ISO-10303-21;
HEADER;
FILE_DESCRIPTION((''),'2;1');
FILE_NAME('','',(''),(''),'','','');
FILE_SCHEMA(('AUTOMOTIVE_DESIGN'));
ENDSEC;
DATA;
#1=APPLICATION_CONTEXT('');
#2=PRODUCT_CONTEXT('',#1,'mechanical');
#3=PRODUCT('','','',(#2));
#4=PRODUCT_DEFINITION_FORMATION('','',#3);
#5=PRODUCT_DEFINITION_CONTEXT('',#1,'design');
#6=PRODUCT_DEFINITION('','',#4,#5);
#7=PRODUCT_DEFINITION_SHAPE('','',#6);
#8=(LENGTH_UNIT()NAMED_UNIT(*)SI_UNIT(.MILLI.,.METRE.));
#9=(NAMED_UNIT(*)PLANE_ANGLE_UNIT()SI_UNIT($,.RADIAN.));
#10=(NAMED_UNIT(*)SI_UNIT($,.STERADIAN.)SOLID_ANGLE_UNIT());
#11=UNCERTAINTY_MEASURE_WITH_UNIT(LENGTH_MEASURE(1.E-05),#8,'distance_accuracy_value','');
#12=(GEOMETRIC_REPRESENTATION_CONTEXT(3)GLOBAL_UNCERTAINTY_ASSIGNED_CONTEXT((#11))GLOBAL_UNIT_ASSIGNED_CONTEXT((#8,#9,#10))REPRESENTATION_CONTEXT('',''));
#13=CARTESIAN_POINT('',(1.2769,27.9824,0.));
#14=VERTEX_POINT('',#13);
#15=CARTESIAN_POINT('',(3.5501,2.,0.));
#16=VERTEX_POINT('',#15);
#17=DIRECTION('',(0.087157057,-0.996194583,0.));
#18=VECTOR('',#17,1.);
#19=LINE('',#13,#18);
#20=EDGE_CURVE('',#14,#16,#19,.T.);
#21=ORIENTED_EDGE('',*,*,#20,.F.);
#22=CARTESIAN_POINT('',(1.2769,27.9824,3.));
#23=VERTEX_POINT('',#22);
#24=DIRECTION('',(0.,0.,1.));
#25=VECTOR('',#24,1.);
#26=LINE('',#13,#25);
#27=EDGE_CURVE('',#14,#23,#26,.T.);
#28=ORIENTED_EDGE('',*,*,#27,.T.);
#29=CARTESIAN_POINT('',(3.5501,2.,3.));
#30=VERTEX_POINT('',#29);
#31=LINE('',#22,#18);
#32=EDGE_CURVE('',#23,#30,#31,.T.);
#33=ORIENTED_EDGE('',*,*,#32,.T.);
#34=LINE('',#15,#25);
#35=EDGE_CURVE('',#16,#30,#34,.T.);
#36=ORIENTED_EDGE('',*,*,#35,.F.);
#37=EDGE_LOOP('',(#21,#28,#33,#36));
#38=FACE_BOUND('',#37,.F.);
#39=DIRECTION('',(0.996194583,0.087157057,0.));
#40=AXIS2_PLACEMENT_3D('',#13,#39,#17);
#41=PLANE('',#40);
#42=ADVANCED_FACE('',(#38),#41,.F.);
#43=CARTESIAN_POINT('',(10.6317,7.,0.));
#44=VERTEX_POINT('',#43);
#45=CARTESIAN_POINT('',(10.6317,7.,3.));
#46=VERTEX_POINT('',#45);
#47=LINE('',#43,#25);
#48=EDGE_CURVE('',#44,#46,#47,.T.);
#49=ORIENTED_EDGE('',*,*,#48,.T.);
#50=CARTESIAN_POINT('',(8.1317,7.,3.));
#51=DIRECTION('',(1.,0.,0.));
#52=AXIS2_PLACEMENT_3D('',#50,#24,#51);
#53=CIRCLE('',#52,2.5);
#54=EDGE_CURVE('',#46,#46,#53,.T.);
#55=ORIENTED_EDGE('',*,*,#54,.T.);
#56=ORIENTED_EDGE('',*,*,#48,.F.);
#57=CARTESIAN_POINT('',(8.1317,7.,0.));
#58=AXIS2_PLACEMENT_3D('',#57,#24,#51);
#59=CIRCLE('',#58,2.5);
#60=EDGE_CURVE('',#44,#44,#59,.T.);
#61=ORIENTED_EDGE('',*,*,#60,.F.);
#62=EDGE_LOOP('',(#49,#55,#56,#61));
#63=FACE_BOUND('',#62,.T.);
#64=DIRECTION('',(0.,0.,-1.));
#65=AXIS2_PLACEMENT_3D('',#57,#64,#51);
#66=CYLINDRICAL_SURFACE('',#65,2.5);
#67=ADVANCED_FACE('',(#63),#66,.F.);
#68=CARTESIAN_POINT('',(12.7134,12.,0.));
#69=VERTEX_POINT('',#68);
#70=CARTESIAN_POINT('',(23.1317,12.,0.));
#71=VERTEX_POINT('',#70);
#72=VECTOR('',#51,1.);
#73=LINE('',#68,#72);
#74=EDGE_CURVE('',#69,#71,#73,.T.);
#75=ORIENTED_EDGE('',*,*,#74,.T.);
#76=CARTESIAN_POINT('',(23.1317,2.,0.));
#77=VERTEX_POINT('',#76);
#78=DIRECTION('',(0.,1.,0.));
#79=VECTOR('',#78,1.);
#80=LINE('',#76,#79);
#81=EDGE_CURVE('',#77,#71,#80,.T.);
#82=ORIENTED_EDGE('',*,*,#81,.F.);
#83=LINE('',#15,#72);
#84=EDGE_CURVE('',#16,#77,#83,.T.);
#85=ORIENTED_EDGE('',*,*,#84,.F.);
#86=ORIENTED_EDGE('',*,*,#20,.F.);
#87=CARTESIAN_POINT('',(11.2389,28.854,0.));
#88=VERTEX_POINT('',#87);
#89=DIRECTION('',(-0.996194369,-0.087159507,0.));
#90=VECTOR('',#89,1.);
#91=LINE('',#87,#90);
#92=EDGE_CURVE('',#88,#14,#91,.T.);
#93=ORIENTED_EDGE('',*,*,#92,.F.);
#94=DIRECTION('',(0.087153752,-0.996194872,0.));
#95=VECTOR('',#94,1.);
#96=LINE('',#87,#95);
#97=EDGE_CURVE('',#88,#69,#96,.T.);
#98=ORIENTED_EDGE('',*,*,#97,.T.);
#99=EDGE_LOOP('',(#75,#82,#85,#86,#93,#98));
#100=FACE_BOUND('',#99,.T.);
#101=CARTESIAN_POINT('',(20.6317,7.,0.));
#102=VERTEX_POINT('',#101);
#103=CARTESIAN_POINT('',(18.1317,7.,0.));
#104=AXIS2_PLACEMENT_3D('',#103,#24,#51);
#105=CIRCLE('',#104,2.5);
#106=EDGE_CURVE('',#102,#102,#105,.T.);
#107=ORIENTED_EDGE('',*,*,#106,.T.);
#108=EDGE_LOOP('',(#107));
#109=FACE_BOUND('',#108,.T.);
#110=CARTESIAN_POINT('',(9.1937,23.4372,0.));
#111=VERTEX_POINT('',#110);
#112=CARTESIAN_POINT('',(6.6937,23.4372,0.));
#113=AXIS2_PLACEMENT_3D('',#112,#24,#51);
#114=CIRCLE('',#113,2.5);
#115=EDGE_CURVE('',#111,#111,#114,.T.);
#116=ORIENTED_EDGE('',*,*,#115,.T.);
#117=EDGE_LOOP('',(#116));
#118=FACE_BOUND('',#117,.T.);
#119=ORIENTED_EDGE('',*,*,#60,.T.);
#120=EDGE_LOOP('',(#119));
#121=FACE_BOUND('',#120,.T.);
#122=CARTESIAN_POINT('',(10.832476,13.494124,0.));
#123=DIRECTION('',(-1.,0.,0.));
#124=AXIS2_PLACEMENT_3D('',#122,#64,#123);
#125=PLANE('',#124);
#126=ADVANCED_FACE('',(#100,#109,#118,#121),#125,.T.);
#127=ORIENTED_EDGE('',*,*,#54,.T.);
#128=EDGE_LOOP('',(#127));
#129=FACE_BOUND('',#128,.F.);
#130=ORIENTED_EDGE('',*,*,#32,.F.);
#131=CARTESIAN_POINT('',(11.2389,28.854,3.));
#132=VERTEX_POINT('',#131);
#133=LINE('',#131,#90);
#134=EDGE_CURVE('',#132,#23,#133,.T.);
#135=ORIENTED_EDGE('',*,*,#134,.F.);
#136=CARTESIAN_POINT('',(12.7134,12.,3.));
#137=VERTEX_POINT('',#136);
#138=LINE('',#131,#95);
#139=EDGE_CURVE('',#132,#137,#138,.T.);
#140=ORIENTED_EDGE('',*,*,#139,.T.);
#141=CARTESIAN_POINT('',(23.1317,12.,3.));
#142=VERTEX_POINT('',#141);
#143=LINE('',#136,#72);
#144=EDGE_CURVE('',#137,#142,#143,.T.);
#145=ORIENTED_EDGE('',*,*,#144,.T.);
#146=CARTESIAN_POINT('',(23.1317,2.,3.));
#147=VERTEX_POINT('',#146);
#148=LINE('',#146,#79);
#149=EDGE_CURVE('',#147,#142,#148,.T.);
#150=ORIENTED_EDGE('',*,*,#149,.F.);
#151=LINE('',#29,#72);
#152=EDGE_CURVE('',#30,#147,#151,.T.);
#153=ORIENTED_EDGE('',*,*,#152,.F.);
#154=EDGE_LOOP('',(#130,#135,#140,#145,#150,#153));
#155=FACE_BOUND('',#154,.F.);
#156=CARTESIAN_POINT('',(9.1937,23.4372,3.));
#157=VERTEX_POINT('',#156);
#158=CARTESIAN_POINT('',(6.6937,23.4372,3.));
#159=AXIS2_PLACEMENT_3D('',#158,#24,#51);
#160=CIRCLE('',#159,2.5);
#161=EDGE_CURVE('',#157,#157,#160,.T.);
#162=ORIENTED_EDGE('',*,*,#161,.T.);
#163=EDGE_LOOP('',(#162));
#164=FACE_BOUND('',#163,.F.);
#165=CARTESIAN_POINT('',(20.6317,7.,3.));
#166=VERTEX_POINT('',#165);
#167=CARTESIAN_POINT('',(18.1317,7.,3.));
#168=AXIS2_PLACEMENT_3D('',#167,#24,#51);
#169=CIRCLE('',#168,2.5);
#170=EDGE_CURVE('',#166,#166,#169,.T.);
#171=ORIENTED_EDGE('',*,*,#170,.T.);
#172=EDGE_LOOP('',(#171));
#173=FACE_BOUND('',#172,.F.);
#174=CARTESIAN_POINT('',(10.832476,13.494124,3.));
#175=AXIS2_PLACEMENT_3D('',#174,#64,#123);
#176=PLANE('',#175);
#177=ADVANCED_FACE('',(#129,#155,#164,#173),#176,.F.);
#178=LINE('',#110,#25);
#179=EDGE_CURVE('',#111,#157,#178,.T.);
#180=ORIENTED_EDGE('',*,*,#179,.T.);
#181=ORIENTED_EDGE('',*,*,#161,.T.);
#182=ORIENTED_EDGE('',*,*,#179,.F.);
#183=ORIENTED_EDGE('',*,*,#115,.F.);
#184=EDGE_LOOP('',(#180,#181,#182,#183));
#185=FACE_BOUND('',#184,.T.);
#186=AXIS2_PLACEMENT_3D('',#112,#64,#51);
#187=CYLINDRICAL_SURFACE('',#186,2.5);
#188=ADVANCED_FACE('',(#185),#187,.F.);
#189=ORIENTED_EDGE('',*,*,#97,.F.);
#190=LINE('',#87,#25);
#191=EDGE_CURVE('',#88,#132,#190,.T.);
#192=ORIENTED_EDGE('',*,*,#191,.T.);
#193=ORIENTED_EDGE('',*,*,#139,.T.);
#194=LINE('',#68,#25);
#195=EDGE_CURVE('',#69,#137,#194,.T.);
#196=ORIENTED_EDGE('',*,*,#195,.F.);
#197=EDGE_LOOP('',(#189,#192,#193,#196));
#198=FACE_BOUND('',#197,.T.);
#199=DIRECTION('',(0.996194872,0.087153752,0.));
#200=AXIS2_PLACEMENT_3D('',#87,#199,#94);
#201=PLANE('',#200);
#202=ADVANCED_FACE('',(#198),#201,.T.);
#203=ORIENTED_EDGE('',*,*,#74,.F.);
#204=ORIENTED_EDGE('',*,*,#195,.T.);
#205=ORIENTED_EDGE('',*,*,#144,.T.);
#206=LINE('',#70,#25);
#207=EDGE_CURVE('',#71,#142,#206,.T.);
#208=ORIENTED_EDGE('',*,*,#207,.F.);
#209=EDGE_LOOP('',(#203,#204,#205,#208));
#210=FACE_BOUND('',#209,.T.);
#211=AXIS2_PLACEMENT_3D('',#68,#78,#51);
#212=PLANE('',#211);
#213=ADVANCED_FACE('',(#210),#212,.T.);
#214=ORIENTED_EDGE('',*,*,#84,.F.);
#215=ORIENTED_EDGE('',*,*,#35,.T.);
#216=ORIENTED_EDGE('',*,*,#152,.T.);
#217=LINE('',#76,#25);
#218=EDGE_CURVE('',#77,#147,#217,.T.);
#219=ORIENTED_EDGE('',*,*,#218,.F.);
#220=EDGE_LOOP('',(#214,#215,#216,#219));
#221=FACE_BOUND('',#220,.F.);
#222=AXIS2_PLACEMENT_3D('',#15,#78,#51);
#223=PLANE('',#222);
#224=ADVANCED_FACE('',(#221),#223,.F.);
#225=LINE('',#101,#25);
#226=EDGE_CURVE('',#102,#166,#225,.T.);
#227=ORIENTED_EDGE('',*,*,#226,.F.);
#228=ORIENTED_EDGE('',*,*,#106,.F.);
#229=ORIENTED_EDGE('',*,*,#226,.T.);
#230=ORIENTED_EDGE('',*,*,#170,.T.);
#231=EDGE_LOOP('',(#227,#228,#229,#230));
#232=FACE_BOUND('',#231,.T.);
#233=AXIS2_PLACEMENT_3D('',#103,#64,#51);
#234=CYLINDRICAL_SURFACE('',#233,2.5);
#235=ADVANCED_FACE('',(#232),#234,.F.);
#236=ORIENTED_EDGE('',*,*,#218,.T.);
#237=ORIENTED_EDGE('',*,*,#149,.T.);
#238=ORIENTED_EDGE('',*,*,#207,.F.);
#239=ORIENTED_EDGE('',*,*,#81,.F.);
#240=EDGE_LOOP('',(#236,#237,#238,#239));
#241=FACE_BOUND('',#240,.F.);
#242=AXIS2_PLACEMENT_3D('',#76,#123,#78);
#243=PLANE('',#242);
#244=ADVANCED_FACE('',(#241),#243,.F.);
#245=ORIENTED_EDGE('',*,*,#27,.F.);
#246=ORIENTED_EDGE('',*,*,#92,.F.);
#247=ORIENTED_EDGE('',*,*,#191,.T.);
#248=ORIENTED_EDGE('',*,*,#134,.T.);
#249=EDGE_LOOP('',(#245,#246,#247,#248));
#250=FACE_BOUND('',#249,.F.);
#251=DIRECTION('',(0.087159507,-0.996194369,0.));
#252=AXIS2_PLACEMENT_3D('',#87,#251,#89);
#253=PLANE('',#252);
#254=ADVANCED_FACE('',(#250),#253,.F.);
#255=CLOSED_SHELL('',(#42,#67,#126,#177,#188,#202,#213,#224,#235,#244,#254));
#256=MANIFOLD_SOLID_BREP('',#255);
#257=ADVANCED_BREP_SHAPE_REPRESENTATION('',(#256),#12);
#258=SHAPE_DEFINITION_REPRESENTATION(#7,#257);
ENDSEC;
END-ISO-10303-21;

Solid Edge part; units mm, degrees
sketch "Sketch1" plane through (0, 0, 0) normal (0, 0, 1) x (1, 0, 0)
  line L0 (11.2389, 28.854) -> (12.7134, 12)
  line L1 (12.7134, 12) -> (23.1317, 12)
  line L2 (23.1317, 2) -> (23.1317, 12)
  line L3 (3.5501, 2) -> (23.1317, 2)
  line L4 (1.2769, 27.9824) -> (3.5501, 2)
  line L5 (11.2389, 28.854) -> (1.2769, 27.9824)
  circle A0 centre (8.1317, 7) radius 2.5
  circle A1 centre (18.1317, 7) radius 2.5
  circle A2 centre (6.6937, 23.4372) radius 2.5
  dimension "D1" = 10
  dimension "D2" = 16.5
  dimension "D3" = 5
  dimension "D4" = 13.5
  dimension "D5" = 16
  dimension "D6" = 5
extrude "Protrusion1" add sketch "Sketch1" along normal blind 3
properties material "Holz, Birke"
